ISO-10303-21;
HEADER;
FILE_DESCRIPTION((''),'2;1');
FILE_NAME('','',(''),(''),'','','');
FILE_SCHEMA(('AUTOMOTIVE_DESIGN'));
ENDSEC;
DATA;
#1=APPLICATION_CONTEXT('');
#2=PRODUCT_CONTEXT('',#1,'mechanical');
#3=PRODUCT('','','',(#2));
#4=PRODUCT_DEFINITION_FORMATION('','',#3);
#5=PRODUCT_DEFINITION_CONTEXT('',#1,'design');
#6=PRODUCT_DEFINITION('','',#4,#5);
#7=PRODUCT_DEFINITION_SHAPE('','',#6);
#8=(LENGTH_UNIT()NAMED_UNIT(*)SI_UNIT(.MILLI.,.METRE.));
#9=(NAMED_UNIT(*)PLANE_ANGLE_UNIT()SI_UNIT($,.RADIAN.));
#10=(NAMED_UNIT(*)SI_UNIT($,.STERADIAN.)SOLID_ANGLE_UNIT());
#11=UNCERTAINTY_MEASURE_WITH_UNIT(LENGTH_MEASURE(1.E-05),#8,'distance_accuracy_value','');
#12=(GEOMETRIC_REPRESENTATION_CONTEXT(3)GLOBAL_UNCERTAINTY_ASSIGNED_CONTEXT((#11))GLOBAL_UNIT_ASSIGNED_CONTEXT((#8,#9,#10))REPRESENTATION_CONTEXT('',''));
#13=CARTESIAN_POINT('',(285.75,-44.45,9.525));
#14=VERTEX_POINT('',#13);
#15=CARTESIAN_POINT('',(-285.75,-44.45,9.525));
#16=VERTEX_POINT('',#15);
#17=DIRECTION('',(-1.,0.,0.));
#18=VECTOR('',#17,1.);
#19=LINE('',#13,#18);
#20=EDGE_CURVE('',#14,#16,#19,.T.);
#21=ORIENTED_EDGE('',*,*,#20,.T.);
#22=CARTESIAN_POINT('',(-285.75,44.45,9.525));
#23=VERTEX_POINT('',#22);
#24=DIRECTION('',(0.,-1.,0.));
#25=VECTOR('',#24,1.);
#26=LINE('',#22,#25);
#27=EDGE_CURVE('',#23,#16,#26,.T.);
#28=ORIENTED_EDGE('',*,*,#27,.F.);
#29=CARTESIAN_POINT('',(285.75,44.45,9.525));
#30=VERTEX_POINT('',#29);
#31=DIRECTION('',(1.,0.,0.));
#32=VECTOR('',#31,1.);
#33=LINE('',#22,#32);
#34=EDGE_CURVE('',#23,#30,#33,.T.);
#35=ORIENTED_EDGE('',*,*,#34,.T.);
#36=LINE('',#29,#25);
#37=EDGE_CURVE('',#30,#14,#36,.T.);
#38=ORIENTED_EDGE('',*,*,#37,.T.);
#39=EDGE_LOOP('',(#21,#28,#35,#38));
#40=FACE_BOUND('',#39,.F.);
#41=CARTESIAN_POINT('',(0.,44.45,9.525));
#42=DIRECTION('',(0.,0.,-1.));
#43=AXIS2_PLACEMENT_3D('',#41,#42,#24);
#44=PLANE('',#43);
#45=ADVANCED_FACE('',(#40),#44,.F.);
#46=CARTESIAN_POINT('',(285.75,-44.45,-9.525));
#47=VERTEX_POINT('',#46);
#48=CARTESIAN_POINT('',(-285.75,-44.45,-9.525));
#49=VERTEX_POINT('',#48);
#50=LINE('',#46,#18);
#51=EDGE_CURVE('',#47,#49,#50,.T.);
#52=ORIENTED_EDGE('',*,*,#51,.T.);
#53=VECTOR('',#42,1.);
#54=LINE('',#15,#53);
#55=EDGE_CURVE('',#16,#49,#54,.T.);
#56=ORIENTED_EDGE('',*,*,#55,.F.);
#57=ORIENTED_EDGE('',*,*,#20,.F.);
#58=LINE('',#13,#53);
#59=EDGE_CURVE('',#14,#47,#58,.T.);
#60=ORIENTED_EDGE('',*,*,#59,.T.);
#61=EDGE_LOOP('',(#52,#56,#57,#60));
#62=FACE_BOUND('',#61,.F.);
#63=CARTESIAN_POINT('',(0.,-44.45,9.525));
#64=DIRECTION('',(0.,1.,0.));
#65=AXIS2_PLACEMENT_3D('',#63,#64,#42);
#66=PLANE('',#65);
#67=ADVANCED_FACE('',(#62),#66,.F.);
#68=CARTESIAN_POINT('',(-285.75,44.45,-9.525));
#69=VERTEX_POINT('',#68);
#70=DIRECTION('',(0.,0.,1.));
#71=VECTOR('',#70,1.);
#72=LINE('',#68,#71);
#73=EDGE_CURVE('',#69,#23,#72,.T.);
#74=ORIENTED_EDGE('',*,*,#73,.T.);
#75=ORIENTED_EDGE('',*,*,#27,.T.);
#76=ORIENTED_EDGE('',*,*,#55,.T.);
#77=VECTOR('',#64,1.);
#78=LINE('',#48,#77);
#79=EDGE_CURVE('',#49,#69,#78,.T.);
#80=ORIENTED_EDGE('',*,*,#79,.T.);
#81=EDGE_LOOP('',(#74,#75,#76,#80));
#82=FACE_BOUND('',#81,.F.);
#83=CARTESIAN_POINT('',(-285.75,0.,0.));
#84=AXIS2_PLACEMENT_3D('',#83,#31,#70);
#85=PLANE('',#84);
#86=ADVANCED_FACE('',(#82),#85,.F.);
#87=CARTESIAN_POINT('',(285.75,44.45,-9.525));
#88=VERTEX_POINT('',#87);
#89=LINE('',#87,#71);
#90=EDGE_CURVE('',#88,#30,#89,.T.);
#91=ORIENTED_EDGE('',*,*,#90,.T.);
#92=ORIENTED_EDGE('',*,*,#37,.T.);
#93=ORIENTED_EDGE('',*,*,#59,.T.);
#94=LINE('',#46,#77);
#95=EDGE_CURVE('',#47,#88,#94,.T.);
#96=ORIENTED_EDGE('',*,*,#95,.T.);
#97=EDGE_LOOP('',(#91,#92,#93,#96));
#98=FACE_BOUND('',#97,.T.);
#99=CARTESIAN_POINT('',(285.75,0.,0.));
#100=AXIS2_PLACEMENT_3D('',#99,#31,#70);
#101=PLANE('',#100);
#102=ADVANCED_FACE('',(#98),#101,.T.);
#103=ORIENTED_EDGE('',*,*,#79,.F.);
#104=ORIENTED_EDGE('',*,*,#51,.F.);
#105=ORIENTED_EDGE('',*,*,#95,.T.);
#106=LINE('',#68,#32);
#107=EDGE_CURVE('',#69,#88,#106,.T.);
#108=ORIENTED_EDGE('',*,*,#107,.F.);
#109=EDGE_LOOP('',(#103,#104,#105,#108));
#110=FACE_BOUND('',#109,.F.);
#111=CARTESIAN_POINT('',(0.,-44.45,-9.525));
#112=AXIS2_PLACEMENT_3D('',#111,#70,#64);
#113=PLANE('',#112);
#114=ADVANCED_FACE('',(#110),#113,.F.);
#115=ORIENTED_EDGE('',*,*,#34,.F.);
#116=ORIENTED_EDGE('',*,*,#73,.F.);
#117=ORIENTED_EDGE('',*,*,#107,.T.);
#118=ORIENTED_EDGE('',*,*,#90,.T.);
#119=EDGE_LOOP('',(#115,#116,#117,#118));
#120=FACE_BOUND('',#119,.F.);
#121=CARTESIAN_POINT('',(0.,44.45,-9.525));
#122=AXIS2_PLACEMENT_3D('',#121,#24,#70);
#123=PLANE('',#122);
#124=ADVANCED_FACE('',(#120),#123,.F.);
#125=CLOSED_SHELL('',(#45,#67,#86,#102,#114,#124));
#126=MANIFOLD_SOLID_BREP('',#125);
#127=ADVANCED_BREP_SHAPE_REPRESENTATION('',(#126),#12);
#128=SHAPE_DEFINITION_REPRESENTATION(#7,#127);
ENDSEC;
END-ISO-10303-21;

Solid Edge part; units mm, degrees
sketch "Sketch1" plane through (0, 0, 0) normal (1, 0, 0) x (0, 1, 0)
  line L0 (-44.45, -9.525) -> (44.45, -9.525)
  line L1 (44.45, -9.525) -> (44.45, 9.525)
  line L2 (44.45, 9.525) -> (-44.45, 9.525)
  line L3 (-44.45, 9.525) -> (-44.45, -9.525)
  dimension "D1" = 88.9
  dimension "D2" = 19.05
extrude "Protrusion1" add sketch "Sketch1" along normal mid plane 571.5
properties material "Wood, Pine"
